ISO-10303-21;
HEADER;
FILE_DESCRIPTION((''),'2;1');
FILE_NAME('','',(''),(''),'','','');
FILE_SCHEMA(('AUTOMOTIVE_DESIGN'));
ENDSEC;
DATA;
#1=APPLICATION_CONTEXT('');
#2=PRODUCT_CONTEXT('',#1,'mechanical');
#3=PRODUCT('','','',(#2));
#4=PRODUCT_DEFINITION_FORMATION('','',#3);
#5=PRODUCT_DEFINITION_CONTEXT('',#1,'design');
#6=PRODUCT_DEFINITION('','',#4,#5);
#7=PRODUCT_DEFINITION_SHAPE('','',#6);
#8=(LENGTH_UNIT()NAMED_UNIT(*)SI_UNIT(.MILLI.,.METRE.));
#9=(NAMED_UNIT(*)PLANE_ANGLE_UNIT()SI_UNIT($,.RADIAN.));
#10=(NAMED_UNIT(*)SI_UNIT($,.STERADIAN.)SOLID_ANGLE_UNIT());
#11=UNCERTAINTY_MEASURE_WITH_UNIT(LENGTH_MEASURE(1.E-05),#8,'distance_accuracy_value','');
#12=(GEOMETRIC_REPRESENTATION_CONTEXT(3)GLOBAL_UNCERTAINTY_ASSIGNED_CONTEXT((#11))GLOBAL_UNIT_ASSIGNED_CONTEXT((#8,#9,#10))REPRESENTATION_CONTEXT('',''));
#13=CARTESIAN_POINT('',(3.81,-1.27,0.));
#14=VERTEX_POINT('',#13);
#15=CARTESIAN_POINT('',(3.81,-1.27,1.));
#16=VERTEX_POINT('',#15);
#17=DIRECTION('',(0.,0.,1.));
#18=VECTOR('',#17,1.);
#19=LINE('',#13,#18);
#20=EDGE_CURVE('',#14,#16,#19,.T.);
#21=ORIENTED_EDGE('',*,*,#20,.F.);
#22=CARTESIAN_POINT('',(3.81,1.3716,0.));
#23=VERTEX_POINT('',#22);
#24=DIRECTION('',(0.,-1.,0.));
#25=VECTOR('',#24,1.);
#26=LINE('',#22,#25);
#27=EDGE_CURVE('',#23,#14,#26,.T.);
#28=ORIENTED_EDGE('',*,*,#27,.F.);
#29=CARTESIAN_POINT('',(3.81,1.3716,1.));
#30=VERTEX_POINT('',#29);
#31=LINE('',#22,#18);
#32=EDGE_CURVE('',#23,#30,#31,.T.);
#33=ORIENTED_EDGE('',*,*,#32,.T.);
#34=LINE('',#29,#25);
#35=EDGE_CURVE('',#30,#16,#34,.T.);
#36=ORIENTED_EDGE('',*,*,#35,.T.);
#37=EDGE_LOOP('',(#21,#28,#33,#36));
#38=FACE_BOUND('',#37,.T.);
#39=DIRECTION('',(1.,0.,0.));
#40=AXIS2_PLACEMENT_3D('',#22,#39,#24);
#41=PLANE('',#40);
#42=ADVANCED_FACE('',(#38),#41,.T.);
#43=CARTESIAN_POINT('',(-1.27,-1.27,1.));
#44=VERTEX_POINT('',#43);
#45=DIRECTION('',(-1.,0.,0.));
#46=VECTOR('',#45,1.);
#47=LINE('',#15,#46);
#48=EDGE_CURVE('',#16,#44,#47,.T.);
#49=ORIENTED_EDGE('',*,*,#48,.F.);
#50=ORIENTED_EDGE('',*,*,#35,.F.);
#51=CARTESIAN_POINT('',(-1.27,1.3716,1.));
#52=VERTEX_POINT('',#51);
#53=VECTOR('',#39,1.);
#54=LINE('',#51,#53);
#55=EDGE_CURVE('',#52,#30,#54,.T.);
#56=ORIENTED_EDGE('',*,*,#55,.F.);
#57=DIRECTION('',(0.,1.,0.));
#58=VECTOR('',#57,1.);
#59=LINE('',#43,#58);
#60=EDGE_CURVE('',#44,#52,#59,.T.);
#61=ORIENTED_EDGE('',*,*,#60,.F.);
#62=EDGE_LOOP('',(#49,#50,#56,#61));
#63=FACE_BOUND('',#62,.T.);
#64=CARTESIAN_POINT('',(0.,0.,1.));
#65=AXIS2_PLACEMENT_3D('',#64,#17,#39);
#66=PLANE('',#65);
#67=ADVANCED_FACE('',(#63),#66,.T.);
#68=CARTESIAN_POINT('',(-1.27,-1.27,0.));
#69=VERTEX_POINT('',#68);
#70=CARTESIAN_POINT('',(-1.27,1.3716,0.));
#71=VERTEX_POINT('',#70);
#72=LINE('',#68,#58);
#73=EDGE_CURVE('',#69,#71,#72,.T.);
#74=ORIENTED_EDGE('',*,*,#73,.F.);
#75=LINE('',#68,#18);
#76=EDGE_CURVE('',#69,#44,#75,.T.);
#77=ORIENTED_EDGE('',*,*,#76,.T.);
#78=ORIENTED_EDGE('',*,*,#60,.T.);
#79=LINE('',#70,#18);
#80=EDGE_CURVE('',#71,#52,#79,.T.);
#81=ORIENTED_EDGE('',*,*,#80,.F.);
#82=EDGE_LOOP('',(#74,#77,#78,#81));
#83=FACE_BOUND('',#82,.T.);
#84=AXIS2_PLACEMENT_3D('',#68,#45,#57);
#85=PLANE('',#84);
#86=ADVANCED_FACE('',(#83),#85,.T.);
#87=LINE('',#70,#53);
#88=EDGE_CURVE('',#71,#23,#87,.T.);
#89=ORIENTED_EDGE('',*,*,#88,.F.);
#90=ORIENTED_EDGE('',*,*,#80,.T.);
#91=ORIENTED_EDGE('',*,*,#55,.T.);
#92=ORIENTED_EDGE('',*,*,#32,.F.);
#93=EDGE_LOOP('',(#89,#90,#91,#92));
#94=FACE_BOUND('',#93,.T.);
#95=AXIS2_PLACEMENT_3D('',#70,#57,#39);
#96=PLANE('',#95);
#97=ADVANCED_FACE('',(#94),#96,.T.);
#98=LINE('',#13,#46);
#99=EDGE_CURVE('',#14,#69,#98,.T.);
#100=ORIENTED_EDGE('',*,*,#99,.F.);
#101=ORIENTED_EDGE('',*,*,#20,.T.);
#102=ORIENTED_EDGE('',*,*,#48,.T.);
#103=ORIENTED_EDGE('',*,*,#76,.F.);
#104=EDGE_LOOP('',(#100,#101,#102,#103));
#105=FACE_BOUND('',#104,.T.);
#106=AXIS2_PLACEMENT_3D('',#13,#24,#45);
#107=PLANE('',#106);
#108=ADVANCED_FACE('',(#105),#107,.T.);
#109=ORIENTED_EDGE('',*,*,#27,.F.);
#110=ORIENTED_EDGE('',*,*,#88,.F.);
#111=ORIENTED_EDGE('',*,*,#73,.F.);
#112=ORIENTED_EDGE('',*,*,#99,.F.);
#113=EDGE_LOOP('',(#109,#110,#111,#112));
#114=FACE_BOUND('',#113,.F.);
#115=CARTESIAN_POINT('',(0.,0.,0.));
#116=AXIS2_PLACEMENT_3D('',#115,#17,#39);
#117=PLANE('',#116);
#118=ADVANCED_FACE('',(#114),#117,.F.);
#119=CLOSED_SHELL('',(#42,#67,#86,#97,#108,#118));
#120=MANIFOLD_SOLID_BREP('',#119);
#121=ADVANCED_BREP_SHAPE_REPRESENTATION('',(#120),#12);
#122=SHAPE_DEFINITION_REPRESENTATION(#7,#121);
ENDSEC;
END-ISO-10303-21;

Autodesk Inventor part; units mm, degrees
ref_plane "YZ Plane" through (0, 0, 0) normal (1, 0, 0) x (0, 1, 0)
ref_plane "XZ Plane" through (0, 0, 0) normal (0, 1, 0) x (-1, 0, 0)
ref_plane "XY Plane" through (0, 0, 0) normal (0, 0, 1) x (1, 0, 0)
sketch "1X02, RX-TX_1X02_119" plane through (0, 0, 0) normal (0, 0, 1) x (1, 0, 0)
  line L0 (-1.27, 1.3716) -> (3.81, 1.3716)
  line L1 (3.81, 1.3716) -> (3.81, -1.27)
  line L2 (3.81, -1.27) -> (-1.27, -1.27)
  line L3 (-1.27, -1.27) -> (-1.27, 1.3716)
extrude "Extrusion1" add sketch "1X02, RX-TX_1X02_119" along normal blind 1
properties part number "RX-TX_1X02"
